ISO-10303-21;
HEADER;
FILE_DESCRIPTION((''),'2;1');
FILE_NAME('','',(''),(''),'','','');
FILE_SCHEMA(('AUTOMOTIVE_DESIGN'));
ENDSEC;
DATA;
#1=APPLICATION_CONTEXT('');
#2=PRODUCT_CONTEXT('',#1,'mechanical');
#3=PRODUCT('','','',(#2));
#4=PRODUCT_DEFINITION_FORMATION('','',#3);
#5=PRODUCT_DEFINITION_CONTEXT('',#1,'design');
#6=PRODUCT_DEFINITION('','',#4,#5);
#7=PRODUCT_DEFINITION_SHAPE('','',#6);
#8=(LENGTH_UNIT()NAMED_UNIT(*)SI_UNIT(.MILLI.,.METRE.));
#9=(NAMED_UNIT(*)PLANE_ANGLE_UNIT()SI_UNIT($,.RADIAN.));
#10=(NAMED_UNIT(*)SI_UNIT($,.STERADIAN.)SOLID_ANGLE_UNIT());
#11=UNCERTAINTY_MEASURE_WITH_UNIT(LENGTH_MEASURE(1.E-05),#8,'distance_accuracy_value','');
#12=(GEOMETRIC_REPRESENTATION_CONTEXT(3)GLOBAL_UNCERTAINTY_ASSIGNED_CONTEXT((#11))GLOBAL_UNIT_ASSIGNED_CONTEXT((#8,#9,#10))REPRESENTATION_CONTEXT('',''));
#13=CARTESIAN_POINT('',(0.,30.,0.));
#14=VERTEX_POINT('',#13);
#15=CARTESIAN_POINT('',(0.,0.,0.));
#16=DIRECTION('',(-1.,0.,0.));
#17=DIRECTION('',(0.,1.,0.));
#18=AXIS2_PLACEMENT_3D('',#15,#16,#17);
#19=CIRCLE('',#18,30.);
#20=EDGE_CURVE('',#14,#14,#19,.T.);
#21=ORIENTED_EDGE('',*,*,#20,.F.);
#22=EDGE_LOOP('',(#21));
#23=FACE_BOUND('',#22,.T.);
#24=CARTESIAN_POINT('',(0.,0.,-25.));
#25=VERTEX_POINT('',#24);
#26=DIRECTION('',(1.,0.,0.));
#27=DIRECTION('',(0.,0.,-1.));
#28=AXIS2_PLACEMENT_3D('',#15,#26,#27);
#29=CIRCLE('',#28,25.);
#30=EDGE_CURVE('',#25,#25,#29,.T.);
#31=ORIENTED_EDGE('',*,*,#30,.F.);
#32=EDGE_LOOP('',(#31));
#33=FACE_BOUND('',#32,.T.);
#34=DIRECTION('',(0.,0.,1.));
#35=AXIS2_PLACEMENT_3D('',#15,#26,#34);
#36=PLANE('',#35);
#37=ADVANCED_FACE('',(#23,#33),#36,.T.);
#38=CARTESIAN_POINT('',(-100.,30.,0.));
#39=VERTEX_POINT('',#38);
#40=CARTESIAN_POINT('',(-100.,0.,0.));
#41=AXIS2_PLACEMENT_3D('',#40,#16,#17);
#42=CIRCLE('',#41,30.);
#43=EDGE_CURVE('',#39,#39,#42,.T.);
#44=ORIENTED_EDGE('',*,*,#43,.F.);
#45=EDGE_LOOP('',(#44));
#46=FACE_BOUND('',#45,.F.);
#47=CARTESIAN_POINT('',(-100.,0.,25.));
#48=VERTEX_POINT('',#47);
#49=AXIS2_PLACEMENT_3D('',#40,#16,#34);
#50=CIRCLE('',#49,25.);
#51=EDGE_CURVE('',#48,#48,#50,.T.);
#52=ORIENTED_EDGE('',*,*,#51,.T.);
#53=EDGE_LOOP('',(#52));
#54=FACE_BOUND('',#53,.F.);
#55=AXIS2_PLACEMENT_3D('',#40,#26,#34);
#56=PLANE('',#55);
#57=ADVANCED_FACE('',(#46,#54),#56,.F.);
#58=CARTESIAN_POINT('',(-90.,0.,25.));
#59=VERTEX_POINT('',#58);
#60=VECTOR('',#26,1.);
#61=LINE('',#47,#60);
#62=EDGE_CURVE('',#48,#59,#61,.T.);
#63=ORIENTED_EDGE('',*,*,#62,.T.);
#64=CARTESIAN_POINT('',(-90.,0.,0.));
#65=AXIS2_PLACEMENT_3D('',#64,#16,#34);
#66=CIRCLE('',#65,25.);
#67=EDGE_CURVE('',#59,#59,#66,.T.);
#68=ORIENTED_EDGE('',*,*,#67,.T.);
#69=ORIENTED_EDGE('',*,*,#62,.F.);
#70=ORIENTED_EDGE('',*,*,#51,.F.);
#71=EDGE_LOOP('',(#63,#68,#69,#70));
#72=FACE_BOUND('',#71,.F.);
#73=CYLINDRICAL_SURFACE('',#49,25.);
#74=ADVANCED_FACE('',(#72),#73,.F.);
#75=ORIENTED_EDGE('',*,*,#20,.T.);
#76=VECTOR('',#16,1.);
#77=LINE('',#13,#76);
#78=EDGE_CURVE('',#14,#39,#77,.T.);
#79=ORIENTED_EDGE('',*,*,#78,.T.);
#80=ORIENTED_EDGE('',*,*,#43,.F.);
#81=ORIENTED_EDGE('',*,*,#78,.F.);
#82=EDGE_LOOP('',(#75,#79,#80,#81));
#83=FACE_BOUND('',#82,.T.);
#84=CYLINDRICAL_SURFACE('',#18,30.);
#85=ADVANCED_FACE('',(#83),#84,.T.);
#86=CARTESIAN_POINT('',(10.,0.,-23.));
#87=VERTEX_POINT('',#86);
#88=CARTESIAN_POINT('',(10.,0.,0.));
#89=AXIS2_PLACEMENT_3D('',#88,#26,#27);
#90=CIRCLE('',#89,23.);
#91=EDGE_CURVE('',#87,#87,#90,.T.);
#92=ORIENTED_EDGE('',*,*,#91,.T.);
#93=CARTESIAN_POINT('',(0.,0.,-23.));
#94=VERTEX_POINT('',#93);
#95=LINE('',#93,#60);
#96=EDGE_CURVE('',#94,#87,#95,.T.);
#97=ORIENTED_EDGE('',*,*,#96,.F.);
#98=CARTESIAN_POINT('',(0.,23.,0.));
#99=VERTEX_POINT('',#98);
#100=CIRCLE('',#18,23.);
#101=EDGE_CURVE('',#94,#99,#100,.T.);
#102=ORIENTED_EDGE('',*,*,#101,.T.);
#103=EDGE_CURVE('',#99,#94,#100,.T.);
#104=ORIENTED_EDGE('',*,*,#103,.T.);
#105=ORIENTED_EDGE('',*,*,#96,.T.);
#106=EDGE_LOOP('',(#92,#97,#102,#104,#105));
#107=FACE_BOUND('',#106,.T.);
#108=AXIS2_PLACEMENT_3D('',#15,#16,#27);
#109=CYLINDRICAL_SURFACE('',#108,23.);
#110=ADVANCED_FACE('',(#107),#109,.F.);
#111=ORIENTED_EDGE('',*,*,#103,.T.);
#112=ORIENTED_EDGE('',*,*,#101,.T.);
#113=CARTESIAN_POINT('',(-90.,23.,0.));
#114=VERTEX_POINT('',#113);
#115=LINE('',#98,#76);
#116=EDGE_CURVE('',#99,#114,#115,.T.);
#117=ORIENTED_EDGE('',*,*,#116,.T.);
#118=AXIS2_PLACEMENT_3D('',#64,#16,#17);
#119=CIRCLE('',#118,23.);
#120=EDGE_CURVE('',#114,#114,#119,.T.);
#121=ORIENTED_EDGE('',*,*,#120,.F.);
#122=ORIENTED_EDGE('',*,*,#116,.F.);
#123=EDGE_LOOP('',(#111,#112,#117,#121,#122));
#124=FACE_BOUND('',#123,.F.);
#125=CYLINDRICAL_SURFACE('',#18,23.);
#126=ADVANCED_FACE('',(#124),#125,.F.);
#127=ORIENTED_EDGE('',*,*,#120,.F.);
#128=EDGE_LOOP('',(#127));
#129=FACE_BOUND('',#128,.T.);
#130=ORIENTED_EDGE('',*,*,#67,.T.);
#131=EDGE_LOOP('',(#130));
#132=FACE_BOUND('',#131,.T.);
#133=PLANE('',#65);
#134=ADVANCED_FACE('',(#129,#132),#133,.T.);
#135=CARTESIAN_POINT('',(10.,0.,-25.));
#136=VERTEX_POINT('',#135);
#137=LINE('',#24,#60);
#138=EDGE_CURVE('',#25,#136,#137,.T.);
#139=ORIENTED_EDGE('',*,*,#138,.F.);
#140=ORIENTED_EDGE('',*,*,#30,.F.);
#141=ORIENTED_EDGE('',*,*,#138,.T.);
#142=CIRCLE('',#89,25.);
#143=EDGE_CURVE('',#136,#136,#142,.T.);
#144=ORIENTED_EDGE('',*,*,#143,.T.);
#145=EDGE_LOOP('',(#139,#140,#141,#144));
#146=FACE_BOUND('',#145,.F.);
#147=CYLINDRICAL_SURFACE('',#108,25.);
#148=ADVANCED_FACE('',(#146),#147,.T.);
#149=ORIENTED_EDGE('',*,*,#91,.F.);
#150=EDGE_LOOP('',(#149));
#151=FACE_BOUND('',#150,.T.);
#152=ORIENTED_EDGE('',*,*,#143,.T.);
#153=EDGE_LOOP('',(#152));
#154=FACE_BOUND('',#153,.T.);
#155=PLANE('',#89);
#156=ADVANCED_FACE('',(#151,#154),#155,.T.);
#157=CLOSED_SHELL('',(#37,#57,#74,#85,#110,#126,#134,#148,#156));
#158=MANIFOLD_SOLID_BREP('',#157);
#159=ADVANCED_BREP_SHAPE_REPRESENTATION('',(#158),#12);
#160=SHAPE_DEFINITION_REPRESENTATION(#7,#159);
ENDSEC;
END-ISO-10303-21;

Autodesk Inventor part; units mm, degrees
ref_plane "YZ Plane" through (0, 0, 0) normal (1, 0, 0) x (0, 1, 0)
ref_plane "XZ Plane" through (0, 0, 0) normal (0, 1, 0) x (-1, 0, 0)
ref_plane "XY Plane" through (0, 0, 0) normal (0, 0, 1) x (1, 0, 0)
sketch "Esquisse9" plane through (0, 0, 0) normal (0, 1, 0) x (-1, 0, 0)
  line L0 (0, 0) -> (100, 0)
  line L1 (120, 0) -> (-20, 0) construction
  dimension "d20" = 100
sketch "Esquisse10" plane through (0, 0, 0) normal (1, 0, 0) x (0, 1, 0)
  circle A0 centre (0, 0) radius 30
  circle A1 centre (0, 0) radius 23
  dimension "d22" = 60
  dimension "d23" = 46
sweep "Balayage2" add profiles "Esquisse10" path "Esquisse9"
sketch "Esquisse11" plane through (0, 0, 0) normal (1, 0, 0) x (0, 0, -1)
  circle A0 centre (0, 0) radius 23 construction
  circle A1 centre (0, 0) radius 30 construction
  circle A2 centre (0, 0) radius 23
  circle A3 centre (0, 0) radius 25
  dimension "d26" = 50
extrude "Extrusion4" add sketch "Esquisse11" along normal blind 10
sketch "Esquisse15" plane through (-100, 0, 0) normal (-1, 0, 0) x (0, 0, 1)
  circle A0 centre (0, 0) radius 23
  circle A1 centre (0, 0) radius 25
  dimension "d41" = 46
  dimension "d42" = 50
extrude "Extrusion6" cut sketch "Esquisse15" against normal blind 10
properties part number "P008_CanonBout"
